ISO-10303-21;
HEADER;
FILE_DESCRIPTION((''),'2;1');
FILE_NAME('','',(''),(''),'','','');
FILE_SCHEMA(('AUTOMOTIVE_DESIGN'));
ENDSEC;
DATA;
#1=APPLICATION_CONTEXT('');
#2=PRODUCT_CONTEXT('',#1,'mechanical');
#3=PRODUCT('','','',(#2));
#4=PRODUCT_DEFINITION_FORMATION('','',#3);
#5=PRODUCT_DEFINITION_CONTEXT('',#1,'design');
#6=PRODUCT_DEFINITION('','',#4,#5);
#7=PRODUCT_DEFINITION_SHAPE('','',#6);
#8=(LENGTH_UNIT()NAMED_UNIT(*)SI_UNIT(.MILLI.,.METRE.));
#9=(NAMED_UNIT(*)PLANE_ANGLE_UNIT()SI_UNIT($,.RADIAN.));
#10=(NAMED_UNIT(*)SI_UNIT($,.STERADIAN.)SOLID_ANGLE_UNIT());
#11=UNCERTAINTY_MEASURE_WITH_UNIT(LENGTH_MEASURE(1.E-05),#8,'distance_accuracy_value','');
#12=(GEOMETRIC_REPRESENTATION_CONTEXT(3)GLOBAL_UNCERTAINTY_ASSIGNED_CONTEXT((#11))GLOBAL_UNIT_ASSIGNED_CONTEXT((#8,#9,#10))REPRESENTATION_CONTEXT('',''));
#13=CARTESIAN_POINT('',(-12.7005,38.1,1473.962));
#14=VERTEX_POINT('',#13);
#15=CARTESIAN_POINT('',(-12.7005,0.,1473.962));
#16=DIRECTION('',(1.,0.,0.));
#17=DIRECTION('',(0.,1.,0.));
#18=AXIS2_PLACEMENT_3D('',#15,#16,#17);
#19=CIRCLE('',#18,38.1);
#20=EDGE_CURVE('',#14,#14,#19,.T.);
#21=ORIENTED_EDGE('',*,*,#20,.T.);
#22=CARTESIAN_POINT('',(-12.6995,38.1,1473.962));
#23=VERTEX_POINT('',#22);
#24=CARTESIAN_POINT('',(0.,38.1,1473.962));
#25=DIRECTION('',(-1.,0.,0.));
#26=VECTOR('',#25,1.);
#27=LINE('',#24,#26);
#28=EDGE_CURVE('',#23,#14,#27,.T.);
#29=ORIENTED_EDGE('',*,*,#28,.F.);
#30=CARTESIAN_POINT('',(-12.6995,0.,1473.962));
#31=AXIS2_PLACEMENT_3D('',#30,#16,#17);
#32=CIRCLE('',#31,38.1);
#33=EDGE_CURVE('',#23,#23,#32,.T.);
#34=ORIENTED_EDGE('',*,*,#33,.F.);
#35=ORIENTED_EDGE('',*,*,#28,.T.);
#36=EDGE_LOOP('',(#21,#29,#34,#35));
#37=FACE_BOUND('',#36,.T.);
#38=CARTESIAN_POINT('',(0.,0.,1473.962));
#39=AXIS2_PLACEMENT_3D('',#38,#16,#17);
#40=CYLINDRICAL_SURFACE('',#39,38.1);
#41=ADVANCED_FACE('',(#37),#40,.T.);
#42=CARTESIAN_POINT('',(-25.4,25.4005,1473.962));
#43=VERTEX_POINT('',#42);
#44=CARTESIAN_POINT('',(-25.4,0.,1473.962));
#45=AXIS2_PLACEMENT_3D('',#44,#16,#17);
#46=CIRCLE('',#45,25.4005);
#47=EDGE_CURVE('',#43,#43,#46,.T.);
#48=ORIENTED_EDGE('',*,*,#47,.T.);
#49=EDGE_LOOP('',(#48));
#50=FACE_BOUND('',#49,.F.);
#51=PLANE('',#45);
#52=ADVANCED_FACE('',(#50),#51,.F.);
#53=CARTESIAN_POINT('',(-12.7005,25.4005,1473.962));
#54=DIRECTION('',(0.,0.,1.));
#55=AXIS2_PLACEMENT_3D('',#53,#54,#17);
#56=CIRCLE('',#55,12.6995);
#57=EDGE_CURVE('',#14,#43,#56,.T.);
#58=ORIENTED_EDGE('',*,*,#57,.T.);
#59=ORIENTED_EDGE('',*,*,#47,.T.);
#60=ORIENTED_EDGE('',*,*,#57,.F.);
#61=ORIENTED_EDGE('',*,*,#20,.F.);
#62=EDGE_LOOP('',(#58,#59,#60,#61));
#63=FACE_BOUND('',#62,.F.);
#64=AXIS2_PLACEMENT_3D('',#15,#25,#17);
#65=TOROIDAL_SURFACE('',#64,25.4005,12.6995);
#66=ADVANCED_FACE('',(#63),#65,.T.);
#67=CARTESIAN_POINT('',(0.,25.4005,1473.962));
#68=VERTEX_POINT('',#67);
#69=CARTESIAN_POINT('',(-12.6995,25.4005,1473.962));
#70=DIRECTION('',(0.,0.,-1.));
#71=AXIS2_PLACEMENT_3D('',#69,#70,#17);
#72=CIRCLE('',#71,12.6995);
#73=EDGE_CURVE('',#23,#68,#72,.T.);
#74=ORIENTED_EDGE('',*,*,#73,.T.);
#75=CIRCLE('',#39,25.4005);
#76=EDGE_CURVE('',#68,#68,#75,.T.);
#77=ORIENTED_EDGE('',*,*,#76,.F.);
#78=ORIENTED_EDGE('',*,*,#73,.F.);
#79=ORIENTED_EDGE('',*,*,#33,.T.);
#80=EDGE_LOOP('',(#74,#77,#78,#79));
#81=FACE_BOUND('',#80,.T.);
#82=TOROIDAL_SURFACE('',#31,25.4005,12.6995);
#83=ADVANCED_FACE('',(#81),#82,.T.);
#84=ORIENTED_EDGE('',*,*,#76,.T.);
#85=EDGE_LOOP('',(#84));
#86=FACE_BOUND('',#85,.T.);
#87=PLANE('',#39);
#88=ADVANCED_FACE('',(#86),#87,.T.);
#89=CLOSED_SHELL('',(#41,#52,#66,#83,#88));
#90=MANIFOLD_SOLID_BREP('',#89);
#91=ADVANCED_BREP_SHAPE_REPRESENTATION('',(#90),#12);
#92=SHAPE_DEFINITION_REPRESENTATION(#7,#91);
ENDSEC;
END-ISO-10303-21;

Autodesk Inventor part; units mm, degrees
ref_plane "YZ Plane" through (0, 0, 0) normal (1, 0, 0) x (0, 1, 0)
ref_plane "XZ Plane" through (0, 0, 0) normal (0, 1, 0) x (-1, 0, 0)
ref_plane "XY Plane" through (0, 0, 0) normal (0, 0, 1) x (1, 0, 0)
ref_plane "Work Plane1" through (199.3338, 5.8626, 1473.962) normal (0, 0, -1) x (-1, 0, 0)
sketch "Sketch1" plane through (199.3338, 5.8626, 1473.962) normal (0, 0, -1) x (-1, 0, 0)
  line L0 (-63.5, -25.4) -> (199.4935, -209.55) construction
  line L1 (199.4935, -209.55) -> (-326.4935, -209.55)
  line L2 (-63.5, -25.4) -> (199.4935, -209.55)
  line L3 (199.4935, -209.55) -> (-63.5, -209.55)
  point P0 (199.3338, -5.8626)
ref_plane "Work Plane2" through (0, 0, 1473.962) normal (1, 0, 0) x (0, 1, 0)
sketch "Sketch4" plane through (0, 0, 1473.962) normal (1, 0, 0) x (0, 1, 0)
  circle A0 centre (0, 0) radius 38.1
  point P0 (0, -1473.962)
  dimension "d2" = 76.2
extrude "Extrusion1" add sketch "Sketch4" against normal blind 25.4
fillet "Fillet1" radius 12.7 2 edges at (-25.4, -38.1, 1473.962) (0, -38.1, 1473.962)
properties part number "Landing Gear Wheel"
